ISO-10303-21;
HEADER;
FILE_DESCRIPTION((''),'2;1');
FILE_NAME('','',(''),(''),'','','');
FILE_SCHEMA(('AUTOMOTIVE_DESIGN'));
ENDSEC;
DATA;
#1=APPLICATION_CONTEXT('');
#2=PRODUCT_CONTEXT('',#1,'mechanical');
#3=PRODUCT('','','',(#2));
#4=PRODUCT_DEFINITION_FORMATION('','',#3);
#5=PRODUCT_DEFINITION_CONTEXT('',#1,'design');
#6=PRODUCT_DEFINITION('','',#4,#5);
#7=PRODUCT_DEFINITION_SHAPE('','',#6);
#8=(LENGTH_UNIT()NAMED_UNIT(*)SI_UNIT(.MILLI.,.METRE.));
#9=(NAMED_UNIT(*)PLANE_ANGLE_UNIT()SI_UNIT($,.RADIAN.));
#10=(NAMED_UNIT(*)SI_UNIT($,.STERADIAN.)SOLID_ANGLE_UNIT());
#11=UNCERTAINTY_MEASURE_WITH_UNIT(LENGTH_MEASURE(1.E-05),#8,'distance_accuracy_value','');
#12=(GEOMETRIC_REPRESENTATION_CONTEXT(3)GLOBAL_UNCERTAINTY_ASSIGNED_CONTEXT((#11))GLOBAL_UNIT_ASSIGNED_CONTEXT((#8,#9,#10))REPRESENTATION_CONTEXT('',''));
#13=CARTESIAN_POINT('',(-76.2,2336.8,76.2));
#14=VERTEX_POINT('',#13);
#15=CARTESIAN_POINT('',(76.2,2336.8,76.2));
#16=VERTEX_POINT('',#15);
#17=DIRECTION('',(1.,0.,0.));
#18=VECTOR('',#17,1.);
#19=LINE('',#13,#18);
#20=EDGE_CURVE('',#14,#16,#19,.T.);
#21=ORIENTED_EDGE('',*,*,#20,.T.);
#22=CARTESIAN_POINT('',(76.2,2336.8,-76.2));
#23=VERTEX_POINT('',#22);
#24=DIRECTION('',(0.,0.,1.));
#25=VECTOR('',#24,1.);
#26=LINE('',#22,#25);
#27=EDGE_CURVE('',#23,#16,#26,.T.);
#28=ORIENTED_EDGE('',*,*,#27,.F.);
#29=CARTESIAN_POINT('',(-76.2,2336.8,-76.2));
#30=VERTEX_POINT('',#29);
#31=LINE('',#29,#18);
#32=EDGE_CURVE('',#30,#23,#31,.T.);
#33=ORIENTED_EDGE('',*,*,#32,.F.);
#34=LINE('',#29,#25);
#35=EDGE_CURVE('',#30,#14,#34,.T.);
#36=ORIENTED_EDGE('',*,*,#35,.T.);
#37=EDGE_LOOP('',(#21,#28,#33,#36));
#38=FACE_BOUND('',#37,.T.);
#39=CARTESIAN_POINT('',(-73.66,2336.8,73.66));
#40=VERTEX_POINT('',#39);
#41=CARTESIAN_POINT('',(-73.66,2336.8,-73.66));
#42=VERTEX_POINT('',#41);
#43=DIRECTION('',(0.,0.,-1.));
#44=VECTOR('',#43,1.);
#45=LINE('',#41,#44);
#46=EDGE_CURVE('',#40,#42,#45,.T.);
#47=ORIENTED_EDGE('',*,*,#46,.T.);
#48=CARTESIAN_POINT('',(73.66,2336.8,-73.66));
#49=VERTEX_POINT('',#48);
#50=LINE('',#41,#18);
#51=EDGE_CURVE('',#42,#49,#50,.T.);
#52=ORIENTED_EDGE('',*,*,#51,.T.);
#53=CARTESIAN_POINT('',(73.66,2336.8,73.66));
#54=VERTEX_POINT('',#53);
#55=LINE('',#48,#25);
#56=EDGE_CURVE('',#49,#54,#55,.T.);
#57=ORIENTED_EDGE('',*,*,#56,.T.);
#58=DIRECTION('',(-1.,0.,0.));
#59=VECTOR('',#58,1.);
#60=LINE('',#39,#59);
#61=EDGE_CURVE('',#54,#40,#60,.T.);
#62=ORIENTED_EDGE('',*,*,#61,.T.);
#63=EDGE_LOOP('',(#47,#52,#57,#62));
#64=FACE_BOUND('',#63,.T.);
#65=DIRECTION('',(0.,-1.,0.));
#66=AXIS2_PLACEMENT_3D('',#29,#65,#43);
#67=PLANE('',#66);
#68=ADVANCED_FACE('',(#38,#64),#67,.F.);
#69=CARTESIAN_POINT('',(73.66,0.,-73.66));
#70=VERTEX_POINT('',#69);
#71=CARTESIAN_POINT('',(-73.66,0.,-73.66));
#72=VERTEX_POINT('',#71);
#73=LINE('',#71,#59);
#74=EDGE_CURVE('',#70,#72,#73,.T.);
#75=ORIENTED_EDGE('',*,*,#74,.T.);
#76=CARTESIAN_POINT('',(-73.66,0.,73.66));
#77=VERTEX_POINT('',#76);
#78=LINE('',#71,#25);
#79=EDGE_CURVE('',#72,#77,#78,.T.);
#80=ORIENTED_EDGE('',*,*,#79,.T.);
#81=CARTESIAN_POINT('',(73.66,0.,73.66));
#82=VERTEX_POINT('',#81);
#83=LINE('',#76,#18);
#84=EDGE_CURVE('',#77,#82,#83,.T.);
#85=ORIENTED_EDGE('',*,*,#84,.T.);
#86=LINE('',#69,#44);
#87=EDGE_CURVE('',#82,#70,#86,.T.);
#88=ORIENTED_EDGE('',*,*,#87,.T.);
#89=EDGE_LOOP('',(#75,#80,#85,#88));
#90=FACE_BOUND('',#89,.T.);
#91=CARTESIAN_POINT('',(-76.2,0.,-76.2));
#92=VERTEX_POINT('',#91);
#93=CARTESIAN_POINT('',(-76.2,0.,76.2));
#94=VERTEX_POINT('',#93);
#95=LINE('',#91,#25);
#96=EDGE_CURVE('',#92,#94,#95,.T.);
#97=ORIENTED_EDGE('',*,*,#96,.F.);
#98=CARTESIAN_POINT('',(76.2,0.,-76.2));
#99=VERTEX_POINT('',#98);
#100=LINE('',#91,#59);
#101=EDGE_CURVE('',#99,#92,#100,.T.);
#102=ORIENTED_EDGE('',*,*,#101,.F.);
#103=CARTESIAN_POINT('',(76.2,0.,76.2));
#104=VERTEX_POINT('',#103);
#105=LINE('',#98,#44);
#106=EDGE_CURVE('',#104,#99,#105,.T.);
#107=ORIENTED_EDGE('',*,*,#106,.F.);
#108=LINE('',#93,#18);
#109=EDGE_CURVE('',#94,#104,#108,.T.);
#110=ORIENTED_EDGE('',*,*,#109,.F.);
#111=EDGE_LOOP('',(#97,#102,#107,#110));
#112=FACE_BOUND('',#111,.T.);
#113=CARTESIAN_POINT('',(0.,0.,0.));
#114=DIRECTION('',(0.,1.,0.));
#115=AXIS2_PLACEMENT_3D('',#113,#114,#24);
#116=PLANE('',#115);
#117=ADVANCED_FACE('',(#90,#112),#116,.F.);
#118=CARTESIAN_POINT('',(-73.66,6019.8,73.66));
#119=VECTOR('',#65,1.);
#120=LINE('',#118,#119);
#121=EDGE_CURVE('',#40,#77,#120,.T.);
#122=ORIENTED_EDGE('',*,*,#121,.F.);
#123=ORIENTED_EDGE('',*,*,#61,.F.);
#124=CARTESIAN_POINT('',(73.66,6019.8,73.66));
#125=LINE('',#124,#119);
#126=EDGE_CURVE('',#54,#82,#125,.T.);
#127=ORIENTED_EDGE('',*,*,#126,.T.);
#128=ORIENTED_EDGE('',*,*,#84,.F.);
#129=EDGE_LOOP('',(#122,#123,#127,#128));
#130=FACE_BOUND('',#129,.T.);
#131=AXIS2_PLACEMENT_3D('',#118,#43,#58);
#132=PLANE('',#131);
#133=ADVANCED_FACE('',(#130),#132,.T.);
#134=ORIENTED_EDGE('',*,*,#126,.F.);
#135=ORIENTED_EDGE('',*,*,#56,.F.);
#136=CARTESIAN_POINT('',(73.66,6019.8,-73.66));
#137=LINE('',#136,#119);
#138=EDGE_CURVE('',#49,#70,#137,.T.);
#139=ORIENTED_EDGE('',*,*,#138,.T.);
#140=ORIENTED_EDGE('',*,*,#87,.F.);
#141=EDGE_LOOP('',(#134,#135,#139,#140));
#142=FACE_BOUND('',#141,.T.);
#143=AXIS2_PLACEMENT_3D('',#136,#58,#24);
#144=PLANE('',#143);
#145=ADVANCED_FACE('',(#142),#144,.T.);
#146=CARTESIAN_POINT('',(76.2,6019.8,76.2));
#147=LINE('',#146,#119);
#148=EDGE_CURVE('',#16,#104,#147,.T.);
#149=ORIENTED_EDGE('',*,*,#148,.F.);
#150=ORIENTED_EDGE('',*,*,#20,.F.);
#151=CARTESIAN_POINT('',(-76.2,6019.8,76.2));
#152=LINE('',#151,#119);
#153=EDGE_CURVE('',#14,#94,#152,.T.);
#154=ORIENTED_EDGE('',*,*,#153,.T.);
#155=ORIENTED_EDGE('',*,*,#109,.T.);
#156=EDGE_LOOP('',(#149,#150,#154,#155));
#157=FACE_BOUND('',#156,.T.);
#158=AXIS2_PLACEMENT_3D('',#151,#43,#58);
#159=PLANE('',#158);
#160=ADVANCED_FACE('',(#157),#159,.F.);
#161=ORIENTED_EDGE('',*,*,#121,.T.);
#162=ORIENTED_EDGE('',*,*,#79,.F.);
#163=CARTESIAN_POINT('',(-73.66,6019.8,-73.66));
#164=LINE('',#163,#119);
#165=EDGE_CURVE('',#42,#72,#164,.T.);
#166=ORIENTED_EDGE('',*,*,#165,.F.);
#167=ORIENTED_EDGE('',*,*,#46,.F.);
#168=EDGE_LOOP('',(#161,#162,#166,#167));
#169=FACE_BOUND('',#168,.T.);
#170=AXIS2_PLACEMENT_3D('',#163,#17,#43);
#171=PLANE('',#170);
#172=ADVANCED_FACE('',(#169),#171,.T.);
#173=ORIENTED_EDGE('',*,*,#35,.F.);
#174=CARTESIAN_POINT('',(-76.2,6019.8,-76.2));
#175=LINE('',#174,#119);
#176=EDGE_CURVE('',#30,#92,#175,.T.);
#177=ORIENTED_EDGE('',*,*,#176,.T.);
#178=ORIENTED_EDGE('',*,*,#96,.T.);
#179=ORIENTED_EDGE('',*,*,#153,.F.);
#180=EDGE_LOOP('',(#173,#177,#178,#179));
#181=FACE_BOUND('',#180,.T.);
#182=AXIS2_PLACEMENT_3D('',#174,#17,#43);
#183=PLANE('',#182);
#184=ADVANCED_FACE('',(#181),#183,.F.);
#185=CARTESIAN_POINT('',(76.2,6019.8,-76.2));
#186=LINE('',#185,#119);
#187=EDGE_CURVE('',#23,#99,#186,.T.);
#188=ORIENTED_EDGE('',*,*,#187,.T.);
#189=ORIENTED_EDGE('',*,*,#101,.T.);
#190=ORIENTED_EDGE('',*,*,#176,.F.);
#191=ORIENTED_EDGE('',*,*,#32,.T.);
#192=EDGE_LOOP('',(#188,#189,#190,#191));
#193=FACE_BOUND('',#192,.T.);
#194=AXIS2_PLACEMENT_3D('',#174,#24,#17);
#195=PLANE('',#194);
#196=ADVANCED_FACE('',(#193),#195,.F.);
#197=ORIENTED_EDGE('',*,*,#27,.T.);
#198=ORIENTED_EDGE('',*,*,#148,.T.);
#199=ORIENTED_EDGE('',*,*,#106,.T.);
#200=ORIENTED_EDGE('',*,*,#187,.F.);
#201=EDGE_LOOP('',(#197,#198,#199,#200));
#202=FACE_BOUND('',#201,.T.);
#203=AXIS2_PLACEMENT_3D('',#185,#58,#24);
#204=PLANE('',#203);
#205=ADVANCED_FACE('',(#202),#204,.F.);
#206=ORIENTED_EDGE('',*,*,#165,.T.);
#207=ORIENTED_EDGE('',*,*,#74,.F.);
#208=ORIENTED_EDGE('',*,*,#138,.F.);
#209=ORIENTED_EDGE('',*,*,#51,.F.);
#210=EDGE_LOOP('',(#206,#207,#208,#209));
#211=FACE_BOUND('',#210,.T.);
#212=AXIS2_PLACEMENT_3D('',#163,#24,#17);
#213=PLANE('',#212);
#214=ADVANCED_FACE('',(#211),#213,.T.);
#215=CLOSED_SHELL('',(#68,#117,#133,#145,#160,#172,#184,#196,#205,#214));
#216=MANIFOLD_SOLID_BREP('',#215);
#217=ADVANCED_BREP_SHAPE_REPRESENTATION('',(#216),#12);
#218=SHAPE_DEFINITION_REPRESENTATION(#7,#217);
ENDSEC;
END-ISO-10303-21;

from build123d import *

# Parameters (mm, degrees)
SKETCH1_W           = 152.4
SKETCH1_H           = 152.4
SKETCH1_W_2         = 147.32
SKETCH1_H_2         = 147.32
BOSS_EXTRUDE1_DEPTH = 6019.8
SKETCH2_W           = 152.4
SKETCH2_H           = 3683
CUT_EXTRUDE1_DEPTH  = 6023.210909624


with BuildPart() as part:
    # Sketch1 → Boss-Extrude1 (new body)
    with BuildSketch(Plane(origin=(0, 0, 0), x_dir=(1, 0, 0), z_dir=(0, 1, 0))):
        Rectangle(SKETCH1_W, SKETCH1_H)
        Rectangle(SKETCH1_W_2, SKETCH1_H_2, mode=Mode.SUBTRACT)
    extrude(amount=BOSS_EXTRUDE1_DEPTH)

    # Sketch2 → Cut-Extrude1 (cut, through all)
    with BuildSketch(Plane.XY.offset(76.2)):
        with Locations((0, 4178.3)):
            Rectangle(SKETCH2_W, SKETCH2_H)
    extrude(amount=-CUT_EXTRUDE1_DEPTH, mode=Mode.SUBTRACT)


solid = part.part
